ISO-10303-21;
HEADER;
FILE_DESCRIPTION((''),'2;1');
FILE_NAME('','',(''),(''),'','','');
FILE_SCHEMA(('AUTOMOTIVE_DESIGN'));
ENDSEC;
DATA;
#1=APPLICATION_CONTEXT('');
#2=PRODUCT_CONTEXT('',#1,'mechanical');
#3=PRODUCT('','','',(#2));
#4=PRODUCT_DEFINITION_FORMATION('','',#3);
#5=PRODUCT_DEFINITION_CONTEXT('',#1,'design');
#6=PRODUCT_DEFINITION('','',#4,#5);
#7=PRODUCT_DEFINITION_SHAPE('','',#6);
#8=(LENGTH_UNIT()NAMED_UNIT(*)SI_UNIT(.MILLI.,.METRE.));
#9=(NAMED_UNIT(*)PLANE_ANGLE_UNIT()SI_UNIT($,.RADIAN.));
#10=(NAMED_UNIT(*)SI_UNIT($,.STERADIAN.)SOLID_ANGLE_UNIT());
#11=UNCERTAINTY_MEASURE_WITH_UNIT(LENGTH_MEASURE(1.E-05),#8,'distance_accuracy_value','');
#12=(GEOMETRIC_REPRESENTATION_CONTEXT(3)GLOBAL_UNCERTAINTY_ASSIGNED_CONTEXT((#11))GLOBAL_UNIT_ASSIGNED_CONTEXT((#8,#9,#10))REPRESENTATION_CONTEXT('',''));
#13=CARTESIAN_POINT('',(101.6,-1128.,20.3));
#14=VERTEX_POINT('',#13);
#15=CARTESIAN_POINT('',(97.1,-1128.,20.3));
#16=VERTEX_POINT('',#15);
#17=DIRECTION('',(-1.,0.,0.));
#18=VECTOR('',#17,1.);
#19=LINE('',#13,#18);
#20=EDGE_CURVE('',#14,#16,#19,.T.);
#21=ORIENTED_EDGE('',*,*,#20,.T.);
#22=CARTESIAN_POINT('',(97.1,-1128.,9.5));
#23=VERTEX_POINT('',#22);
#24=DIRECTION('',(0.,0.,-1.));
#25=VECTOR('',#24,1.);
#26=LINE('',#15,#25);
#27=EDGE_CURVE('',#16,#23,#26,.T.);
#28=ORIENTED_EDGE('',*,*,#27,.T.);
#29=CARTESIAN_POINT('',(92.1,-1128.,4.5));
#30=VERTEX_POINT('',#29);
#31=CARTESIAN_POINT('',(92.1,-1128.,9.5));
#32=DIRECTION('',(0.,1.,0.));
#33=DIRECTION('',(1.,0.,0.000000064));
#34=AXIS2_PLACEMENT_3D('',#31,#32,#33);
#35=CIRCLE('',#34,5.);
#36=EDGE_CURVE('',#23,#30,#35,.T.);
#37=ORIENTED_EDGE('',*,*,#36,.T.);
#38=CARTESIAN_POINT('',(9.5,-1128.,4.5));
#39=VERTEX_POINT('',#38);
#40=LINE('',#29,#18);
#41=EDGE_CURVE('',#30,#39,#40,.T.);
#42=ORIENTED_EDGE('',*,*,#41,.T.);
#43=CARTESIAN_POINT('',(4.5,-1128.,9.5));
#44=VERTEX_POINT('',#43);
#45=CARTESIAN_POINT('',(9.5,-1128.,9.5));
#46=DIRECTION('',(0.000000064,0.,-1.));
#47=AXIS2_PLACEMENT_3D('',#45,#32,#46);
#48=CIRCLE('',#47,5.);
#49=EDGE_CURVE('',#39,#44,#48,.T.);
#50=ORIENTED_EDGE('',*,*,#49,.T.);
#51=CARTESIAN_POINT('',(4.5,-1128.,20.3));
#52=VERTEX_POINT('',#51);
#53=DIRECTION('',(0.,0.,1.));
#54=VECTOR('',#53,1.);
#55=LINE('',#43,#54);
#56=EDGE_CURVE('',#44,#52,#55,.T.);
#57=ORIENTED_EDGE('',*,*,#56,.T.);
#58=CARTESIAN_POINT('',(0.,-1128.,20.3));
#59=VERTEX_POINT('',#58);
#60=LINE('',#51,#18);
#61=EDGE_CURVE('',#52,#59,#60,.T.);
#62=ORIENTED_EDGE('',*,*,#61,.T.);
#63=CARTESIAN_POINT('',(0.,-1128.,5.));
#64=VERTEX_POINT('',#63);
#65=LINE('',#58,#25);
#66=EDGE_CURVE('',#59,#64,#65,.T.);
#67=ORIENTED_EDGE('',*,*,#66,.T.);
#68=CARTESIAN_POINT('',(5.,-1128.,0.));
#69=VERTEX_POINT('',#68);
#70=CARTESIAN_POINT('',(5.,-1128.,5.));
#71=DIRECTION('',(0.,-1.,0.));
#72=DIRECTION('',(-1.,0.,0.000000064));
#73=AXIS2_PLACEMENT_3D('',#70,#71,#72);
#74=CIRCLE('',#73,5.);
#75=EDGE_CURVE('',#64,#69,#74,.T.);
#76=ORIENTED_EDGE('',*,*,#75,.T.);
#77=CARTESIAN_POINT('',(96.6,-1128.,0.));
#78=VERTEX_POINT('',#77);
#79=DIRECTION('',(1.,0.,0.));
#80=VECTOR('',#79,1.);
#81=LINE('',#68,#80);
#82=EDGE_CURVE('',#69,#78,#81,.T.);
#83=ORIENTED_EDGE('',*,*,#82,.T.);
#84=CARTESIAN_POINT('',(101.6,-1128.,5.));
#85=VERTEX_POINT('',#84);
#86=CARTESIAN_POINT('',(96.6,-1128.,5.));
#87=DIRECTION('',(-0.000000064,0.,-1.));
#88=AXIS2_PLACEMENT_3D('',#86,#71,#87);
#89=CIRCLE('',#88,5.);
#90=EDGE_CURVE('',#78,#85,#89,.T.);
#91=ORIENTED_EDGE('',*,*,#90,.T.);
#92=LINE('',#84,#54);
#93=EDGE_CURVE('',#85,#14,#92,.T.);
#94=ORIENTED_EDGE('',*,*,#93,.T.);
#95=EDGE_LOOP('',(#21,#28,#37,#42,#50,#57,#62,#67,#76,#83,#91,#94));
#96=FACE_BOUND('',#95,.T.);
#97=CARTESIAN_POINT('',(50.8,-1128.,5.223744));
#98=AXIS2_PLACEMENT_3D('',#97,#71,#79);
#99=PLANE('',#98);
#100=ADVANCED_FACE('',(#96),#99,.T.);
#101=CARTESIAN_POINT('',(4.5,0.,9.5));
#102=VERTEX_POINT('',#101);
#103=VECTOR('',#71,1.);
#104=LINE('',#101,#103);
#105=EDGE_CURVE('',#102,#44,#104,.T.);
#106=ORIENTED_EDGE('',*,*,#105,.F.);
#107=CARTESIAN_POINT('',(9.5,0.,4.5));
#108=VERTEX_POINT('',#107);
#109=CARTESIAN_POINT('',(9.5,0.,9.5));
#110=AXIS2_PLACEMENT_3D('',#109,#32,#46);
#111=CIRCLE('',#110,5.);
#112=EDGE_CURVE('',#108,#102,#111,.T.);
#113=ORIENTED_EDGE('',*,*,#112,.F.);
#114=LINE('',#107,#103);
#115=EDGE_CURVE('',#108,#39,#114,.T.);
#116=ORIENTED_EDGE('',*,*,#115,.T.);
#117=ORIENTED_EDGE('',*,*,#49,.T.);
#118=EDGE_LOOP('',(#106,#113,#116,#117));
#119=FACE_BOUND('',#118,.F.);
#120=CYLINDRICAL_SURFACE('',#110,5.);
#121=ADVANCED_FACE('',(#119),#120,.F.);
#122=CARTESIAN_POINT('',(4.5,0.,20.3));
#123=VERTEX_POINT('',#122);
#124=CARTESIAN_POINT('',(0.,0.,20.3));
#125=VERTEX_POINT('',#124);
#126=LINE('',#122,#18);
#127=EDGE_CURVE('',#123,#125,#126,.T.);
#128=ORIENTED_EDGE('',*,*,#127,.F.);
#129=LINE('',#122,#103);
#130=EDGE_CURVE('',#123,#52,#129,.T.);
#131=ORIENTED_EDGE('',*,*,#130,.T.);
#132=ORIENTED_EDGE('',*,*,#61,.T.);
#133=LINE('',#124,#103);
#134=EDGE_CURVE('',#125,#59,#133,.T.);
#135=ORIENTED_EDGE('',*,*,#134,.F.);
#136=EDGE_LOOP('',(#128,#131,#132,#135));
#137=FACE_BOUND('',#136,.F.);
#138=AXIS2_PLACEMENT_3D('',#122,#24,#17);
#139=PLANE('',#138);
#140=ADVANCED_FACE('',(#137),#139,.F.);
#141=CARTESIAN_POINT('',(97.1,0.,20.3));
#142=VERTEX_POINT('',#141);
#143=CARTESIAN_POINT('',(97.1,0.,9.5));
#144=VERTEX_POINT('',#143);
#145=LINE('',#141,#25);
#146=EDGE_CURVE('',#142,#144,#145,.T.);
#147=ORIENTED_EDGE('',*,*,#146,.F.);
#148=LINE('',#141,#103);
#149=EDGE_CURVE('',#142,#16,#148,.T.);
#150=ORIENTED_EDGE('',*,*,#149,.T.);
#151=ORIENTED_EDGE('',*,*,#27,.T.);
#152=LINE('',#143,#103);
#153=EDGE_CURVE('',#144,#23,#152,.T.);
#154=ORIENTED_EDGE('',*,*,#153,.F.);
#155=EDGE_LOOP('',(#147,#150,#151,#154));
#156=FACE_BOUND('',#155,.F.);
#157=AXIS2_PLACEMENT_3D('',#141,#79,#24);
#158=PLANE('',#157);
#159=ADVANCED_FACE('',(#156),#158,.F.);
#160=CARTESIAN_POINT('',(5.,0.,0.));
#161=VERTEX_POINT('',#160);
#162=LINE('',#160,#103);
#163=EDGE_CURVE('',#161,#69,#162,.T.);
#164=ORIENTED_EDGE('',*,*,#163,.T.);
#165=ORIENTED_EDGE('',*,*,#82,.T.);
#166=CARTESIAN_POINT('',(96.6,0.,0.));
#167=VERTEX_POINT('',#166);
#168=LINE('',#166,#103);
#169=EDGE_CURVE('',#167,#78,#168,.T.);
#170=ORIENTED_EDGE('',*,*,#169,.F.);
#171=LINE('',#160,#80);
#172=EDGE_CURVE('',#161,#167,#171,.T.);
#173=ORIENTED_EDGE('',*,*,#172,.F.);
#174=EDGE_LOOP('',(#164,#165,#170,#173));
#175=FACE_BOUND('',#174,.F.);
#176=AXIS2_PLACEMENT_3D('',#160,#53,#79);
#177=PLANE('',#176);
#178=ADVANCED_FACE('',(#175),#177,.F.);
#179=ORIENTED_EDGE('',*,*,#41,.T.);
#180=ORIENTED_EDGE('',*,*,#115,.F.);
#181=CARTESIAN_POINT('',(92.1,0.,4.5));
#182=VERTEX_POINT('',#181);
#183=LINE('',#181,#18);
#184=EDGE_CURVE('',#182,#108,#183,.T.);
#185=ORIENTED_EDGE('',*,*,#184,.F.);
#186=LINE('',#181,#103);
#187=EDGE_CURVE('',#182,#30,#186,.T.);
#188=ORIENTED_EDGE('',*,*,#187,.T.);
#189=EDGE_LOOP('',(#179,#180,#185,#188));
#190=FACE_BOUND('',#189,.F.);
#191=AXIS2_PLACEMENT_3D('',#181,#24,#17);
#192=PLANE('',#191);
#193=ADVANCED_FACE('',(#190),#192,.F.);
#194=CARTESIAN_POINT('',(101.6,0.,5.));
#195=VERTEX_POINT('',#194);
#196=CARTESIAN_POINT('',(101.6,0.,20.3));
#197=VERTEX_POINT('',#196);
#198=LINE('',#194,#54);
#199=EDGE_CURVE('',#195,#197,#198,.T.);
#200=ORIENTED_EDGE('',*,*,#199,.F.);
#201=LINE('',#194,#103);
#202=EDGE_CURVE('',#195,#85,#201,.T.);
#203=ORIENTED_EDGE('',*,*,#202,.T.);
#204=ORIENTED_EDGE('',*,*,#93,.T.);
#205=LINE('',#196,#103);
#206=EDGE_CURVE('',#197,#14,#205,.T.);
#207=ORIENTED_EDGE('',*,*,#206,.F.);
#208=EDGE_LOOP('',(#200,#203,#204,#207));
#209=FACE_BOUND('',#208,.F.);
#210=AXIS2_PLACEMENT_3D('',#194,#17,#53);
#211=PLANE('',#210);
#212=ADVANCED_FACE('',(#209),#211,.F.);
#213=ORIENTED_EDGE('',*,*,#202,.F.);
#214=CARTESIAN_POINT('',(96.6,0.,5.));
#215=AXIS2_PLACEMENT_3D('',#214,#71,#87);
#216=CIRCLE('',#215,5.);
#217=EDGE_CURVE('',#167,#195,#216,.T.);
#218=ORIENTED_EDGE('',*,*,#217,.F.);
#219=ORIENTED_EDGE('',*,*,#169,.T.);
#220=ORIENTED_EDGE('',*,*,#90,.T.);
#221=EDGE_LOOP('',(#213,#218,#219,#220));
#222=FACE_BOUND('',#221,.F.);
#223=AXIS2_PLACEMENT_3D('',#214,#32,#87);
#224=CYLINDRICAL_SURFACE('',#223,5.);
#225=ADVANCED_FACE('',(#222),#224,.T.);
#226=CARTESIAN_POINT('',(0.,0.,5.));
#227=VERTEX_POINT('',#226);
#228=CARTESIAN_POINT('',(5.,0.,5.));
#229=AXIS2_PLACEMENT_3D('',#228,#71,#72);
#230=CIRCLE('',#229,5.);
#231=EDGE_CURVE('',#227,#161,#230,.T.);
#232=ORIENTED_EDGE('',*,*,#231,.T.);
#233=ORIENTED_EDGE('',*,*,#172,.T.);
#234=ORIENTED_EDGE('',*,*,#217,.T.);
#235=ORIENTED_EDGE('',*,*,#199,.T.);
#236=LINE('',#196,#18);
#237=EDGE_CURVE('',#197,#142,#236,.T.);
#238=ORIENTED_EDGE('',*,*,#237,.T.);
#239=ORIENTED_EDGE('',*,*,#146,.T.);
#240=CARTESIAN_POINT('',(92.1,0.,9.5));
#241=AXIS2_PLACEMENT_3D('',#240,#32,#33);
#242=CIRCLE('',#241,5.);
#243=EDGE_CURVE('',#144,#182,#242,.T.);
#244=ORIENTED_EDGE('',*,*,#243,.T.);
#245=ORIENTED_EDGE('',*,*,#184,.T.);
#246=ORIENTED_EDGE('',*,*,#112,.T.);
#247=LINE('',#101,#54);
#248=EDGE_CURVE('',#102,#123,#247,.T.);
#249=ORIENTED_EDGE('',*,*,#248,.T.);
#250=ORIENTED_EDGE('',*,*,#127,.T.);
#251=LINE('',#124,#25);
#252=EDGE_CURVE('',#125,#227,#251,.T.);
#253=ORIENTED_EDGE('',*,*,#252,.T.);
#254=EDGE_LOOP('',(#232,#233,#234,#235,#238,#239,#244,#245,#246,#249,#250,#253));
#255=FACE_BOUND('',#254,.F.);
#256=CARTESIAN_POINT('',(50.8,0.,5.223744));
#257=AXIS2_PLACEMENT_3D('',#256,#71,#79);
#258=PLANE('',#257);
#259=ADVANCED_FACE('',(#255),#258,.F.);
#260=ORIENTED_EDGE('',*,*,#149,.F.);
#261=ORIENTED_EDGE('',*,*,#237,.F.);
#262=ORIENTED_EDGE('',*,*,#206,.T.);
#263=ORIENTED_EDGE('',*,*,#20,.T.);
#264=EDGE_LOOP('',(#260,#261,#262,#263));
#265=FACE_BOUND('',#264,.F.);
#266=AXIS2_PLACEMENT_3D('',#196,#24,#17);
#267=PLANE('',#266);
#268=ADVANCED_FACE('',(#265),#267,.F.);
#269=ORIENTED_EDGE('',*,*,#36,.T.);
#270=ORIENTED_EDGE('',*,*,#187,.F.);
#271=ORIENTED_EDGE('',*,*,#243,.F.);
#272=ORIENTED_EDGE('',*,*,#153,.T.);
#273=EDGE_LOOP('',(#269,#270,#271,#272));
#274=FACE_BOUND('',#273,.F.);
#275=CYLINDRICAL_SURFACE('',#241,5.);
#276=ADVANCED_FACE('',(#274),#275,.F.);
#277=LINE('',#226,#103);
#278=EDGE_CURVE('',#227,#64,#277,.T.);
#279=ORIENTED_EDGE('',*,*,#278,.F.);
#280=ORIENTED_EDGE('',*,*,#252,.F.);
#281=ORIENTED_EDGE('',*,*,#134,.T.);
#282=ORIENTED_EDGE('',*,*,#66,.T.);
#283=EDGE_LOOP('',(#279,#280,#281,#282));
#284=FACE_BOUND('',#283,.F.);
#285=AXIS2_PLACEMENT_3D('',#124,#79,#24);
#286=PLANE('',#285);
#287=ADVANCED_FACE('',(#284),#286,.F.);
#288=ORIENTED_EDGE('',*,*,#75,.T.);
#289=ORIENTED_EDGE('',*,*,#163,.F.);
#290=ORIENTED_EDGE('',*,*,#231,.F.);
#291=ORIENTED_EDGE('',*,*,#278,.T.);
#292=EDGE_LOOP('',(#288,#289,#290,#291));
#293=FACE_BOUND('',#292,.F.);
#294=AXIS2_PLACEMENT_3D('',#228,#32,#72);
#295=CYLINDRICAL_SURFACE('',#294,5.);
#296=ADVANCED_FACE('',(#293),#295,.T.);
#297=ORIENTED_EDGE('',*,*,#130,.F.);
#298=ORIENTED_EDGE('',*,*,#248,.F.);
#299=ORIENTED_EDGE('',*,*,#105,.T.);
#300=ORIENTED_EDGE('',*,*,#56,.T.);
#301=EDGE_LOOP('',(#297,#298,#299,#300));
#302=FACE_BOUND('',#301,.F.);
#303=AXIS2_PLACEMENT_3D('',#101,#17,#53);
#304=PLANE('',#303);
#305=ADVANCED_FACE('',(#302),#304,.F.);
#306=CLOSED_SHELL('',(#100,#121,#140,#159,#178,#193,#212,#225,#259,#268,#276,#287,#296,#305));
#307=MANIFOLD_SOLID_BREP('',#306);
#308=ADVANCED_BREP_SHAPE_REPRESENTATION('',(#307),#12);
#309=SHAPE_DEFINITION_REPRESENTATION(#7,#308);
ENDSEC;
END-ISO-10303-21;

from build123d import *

# Parameters (mm, degrees)
F1_DEPTH = 1128


with BuildPart() as f1:
    # F0 (on Front) → F1 (new body)
    with BuildSketch(Plane.XZ):
        with BuildLine():
            ThreePointArc((0, 5), (1.464466, 1.464466), (5, 0))
            Line((5, 0), (96.6, 0))
            ThreePointArc((96.6, 0), (100.135534, 1.464466), (101.6, 5))
            Line((101.6, 5), (101.6, 20.3))
            Line((101.6, 20.3), (97.1, 20.3))
            Line((97.1, 20.3), (97.1, 9.5))
            ThreePointArc((97.1, 9.5), (95.635534, 5.964466), (92.1, 4.5))
            Line((92.1, 4.5), (9.5, 4.5))
            ThreePointArc((9.5, 4.5), (5.964466, 5.964466), (4.5, 9.5))
            Line((4.5, 9.5), (4.5, 20.3))
            Line((4.5, 20.3), (0, 20.3))
            Line((0, 20.3), (0, 5))
        make_face()
    extrude(amount=F1_DEPTH)


solid = f1.part
